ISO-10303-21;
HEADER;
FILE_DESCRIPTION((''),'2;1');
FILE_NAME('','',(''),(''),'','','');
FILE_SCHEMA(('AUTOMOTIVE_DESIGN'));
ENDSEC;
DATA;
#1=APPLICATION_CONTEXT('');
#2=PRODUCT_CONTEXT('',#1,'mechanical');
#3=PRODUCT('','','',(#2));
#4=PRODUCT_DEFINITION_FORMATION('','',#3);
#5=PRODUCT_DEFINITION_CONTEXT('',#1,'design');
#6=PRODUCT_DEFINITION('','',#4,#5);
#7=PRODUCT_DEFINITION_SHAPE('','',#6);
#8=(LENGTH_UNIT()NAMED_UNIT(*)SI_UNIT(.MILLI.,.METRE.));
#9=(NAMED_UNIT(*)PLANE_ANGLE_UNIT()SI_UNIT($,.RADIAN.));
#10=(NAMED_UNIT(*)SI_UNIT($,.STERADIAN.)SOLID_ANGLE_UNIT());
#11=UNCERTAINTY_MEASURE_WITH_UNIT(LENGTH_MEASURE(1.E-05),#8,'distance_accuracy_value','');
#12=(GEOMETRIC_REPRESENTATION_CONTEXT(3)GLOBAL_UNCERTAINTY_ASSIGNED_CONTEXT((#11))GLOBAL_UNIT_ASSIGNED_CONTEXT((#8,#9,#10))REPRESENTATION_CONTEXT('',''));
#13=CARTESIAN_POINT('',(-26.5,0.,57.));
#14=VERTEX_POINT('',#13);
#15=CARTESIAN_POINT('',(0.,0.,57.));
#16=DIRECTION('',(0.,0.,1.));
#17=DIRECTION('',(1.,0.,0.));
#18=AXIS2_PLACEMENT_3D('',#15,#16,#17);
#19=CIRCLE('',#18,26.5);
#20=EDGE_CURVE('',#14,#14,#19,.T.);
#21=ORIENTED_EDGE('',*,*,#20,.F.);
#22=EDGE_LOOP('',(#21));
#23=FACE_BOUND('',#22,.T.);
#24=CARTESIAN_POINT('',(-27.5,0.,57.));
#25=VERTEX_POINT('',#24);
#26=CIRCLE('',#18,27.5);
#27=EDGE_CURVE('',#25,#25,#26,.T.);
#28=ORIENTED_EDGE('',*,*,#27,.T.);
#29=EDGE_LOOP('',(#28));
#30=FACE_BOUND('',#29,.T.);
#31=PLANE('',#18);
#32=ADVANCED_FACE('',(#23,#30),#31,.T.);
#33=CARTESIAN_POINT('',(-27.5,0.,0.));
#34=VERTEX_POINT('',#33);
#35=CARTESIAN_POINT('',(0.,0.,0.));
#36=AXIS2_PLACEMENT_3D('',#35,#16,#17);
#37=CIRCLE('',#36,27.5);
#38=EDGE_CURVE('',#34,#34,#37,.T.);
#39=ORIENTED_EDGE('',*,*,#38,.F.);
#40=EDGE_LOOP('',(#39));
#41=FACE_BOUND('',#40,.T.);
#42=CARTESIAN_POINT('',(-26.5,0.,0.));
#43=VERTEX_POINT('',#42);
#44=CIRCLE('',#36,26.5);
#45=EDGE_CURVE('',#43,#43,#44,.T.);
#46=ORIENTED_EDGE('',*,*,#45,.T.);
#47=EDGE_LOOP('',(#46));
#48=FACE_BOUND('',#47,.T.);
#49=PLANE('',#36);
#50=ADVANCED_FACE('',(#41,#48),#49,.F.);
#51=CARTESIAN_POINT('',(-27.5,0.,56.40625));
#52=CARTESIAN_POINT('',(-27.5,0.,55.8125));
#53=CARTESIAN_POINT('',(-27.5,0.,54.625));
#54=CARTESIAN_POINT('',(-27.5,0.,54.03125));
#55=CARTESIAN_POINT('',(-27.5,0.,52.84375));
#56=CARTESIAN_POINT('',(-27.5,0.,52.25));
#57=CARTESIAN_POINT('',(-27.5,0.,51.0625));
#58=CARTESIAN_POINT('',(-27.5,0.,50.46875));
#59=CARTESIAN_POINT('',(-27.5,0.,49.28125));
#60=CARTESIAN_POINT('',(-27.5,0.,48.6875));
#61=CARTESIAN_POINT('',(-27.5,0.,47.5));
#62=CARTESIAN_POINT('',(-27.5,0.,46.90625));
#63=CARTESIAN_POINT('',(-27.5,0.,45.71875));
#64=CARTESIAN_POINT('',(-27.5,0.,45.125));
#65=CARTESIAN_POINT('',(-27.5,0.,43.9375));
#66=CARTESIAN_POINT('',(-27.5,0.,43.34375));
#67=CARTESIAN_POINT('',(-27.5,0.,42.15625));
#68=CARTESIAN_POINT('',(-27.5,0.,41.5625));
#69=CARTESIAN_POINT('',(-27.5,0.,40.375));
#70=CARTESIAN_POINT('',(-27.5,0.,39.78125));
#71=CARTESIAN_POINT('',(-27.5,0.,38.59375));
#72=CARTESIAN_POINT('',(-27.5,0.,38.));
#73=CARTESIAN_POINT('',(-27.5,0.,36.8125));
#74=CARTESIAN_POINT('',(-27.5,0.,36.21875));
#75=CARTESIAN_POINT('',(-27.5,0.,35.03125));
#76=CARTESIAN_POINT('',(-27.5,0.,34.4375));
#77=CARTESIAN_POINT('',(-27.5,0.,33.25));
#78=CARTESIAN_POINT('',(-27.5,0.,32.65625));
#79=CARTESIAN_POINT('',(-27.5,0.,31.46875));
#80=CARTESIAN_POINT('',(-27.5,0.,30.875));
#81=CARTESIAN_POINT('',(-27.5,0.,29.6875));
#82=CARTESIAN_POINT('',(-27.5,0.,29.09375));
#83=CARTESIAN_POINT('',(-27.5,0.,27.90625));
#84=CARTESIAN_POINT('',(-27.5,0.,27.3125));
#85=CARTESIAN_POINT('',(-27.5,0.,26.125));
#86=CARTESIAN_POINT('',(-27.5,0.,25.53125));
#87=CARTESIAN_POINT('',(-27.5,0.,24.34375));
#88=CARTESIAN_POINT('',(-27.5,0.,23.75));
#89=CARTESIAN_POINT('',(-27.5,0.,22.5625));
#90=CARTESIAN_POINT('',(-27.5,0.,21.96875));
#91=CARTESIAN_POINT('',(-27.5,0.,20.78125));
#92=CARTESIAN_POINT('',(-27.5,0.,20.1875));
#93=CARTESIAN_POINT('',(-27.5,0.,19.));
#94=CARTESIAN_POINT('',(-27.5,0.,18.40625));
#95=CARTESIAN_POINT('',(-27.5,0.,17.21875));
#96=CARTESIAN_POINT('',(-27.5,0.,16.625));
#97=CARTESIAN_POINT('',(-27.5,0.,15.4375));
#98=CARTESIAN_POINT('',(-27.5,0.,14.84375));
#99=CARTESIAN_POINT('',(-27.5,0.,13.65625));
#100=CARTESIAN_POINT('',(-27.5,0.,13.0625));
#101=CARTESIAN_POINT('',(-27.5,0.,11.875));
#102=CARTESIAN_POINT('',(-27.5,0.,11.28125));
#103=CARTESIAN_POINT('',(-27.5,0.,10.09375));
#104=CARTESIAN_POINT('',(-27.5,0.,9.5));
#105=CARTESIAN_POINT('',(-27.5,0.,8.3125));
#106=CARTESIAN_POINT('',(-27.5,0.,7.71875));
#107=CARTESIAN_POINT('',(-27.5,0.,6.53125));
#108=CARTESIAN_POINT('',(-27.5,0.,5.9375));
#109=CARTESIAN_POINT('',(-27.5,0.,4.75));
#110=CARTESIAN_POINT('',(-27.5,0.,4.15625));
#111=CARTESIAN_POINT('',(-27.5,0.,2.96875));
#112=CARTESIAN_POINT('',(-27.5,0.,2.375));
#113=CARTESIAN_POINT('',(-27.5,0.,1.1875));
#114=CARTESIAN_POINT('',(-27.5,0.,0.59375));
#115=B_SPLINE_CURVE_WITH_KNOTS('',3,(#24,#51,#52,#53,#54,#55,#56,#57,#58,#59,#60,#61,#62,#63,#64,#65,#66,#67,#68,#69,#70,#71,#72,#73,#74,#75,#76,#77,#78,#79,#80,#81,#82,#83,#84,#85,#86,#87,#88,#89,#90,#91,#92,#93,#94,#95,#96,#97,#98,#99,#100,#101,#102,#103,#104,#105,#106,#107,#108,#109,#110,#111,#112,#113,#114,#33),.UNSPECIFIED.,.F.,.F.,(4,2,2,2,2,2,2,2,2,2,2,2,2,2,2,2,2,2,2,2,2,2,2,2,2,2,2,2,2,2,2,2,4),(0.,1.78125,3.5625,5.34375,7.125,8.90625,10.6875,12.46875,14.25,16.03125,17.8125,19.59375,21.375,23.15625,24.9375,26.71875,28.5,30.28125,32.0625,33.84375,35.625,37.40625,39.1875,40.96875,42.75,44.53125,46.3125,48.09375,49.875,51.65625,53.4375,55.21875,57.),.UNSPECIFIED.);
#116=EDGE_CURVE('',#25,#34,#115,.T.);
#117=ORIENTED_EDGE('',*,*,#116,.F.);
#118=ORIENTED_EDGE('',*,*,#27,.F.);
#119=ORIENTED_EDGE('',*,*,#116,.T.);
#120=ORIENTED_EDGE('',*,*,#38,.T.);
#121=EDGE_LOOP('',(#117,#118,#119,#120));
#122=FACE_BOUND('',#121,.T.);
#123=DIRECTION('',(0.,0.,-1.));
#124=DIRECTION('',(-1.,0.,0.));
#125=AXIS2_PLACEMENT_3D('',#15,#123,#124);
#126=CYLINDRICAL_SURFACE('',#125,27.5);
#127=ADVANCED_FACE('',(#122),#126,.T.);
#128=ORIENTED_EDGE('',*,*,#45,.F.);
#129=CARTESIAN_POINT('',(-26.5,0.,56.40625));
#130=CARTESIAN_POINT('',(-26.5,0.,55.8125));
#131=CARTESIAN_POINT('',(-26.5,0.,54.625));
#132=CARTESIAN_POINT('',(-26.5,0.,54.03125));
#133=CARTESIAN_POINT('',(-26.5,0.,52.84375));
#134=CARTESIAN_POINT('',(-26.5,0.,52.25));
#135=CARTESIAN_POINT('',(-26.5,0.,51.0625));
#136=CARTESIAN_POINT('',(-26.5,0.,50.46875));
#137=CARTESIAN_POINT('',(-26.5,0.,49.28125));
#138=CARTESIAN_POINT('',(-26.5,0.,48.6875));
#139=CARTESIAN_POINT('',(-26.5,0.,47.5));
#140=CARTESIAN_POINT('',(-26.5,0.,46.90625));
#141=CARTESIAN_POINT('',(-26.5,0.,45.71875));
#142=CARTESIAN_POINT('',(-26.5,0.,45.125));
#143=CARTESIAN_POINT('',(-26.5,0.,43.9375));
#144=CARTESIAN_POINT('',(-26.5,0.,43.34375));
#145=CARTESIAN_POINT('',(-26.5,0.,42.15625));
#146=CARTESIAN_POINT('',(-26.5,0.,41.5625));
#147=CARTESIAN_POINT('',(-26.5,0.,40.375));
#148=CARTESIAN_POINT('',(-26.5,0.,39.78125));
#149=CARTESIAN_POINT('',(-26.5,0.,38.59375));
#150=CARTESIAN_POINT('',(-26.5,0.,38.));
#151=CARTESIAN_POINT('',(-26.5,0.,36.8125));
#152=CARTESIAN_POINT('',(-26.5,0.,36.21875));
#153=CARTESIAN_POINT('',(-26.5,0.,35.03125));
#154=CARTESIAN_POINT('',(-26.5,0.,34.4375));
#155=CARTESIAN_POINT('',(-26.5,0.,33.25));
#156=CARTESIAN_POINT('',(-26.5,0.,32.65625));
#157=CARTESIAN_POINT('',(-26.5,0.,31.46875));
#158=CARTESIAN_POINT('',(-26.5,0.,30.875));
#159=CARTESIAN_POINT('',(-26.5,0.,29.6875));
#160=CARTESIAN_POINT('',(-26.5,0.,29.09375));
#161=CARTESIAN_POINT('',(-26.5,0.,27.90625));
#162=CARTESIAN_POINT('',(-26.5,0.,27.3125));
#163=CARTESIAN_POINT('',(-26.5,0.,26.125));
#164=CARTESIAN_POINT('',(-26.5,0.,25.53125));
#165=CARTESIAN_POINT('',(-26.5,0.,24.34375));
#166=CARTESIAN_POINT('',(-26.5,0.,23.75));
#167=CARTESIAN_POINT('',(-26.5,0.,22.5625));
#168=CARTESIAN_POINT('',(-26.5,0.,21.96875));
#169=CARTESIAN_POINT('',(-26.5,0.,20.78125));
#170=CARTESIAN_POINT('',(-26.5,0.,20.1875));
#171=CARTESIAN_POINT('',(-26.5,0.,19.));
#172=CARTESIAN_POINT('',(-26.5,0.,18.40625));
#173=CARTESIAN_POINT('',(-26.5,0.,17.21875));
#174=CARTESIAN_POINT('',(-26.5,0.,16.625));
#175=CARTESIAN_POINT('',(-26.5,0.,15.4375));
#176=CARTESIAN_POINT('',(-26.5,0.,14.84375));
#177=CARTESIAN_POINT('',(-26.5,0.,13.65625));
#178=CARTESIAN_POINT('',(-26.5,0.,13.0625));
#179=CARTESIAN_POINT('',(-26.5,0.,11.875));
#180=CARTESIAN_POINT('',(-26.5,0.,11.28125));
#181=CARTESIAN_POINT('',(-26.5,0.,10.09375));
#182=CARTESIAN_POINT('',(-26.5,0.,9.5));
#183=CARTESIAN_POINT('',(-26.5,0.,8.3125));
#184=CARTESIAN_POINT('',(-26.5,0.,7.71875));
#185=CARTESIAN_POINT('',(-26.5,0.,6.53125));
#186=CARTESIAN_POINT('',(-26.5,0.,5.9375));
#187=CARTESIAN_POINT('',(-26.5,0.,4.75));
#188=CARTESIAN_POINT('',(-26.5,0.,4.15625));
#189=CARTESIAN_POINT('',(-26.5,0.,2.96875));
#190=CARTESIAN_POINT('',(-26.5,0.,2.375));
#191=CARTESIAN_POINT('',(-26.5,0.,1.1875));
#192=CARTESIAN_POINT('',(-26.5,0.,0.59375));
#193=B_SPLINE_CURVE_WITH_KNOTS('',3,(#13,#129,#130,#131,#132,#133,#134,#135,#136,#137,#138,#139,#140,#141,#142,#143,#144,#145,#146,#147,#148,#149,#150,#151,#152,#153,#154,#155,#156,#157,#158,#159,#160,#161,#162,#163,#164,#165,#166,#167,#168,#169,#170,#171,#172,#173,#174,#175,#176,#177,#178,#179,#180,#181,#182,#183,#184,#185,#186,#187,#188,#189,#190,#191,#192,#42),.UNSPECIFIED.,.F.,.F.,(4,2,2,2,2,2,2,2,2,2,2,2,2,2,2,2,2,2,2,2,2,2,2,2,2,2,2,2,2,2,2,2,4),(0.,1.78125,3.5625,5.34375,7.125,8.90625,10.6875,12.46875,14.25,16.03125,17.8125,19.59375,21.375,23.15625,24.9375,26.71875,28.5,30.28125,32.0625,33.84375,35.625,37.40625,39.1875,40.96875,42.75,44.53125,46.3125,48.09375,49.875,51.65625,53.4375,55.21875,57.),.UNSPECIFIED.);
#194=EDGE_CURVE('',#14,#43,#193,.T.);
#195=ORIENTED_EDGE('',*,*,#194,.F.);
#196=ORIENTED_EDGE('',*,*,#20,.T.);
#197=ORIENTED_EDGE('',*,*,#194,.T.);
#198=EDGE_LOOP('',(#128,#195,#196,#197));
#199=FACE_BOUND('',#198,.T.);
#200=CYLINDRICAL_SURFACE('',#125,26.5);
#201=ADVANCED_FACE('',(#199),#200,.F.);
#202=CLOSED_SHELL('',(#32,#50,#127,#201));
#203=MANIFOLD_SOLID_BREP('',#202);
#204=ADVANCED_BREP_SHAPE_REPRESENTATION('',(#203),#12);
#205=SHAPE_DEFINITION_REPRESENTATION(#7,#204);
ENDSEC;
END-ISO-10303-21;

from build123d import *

# Parameters (mm, degrees)
ESQUISSE1_R      = 27.5
ESQUISSE1_R_2    = 26.5
EXTRUSION1_DEPTH = 57


with BuildPart() as part:
    # Esquisse1 → Extrusion1 (new body)
    with BuildSketch(Plane.XY):
        with Locations(Location((0, 0, 0), (0, 0, 180))):
            Circle(ESQUISSE1_R)
        with Locations(Location((0, 0, 0), (0, 0, 180))):
            Circle(ESQUISSE1_R_2, mode=Mode.SUBTRACT)
    extrude(amount=EXTRUSION1_DEPTH)


solid = part.part
